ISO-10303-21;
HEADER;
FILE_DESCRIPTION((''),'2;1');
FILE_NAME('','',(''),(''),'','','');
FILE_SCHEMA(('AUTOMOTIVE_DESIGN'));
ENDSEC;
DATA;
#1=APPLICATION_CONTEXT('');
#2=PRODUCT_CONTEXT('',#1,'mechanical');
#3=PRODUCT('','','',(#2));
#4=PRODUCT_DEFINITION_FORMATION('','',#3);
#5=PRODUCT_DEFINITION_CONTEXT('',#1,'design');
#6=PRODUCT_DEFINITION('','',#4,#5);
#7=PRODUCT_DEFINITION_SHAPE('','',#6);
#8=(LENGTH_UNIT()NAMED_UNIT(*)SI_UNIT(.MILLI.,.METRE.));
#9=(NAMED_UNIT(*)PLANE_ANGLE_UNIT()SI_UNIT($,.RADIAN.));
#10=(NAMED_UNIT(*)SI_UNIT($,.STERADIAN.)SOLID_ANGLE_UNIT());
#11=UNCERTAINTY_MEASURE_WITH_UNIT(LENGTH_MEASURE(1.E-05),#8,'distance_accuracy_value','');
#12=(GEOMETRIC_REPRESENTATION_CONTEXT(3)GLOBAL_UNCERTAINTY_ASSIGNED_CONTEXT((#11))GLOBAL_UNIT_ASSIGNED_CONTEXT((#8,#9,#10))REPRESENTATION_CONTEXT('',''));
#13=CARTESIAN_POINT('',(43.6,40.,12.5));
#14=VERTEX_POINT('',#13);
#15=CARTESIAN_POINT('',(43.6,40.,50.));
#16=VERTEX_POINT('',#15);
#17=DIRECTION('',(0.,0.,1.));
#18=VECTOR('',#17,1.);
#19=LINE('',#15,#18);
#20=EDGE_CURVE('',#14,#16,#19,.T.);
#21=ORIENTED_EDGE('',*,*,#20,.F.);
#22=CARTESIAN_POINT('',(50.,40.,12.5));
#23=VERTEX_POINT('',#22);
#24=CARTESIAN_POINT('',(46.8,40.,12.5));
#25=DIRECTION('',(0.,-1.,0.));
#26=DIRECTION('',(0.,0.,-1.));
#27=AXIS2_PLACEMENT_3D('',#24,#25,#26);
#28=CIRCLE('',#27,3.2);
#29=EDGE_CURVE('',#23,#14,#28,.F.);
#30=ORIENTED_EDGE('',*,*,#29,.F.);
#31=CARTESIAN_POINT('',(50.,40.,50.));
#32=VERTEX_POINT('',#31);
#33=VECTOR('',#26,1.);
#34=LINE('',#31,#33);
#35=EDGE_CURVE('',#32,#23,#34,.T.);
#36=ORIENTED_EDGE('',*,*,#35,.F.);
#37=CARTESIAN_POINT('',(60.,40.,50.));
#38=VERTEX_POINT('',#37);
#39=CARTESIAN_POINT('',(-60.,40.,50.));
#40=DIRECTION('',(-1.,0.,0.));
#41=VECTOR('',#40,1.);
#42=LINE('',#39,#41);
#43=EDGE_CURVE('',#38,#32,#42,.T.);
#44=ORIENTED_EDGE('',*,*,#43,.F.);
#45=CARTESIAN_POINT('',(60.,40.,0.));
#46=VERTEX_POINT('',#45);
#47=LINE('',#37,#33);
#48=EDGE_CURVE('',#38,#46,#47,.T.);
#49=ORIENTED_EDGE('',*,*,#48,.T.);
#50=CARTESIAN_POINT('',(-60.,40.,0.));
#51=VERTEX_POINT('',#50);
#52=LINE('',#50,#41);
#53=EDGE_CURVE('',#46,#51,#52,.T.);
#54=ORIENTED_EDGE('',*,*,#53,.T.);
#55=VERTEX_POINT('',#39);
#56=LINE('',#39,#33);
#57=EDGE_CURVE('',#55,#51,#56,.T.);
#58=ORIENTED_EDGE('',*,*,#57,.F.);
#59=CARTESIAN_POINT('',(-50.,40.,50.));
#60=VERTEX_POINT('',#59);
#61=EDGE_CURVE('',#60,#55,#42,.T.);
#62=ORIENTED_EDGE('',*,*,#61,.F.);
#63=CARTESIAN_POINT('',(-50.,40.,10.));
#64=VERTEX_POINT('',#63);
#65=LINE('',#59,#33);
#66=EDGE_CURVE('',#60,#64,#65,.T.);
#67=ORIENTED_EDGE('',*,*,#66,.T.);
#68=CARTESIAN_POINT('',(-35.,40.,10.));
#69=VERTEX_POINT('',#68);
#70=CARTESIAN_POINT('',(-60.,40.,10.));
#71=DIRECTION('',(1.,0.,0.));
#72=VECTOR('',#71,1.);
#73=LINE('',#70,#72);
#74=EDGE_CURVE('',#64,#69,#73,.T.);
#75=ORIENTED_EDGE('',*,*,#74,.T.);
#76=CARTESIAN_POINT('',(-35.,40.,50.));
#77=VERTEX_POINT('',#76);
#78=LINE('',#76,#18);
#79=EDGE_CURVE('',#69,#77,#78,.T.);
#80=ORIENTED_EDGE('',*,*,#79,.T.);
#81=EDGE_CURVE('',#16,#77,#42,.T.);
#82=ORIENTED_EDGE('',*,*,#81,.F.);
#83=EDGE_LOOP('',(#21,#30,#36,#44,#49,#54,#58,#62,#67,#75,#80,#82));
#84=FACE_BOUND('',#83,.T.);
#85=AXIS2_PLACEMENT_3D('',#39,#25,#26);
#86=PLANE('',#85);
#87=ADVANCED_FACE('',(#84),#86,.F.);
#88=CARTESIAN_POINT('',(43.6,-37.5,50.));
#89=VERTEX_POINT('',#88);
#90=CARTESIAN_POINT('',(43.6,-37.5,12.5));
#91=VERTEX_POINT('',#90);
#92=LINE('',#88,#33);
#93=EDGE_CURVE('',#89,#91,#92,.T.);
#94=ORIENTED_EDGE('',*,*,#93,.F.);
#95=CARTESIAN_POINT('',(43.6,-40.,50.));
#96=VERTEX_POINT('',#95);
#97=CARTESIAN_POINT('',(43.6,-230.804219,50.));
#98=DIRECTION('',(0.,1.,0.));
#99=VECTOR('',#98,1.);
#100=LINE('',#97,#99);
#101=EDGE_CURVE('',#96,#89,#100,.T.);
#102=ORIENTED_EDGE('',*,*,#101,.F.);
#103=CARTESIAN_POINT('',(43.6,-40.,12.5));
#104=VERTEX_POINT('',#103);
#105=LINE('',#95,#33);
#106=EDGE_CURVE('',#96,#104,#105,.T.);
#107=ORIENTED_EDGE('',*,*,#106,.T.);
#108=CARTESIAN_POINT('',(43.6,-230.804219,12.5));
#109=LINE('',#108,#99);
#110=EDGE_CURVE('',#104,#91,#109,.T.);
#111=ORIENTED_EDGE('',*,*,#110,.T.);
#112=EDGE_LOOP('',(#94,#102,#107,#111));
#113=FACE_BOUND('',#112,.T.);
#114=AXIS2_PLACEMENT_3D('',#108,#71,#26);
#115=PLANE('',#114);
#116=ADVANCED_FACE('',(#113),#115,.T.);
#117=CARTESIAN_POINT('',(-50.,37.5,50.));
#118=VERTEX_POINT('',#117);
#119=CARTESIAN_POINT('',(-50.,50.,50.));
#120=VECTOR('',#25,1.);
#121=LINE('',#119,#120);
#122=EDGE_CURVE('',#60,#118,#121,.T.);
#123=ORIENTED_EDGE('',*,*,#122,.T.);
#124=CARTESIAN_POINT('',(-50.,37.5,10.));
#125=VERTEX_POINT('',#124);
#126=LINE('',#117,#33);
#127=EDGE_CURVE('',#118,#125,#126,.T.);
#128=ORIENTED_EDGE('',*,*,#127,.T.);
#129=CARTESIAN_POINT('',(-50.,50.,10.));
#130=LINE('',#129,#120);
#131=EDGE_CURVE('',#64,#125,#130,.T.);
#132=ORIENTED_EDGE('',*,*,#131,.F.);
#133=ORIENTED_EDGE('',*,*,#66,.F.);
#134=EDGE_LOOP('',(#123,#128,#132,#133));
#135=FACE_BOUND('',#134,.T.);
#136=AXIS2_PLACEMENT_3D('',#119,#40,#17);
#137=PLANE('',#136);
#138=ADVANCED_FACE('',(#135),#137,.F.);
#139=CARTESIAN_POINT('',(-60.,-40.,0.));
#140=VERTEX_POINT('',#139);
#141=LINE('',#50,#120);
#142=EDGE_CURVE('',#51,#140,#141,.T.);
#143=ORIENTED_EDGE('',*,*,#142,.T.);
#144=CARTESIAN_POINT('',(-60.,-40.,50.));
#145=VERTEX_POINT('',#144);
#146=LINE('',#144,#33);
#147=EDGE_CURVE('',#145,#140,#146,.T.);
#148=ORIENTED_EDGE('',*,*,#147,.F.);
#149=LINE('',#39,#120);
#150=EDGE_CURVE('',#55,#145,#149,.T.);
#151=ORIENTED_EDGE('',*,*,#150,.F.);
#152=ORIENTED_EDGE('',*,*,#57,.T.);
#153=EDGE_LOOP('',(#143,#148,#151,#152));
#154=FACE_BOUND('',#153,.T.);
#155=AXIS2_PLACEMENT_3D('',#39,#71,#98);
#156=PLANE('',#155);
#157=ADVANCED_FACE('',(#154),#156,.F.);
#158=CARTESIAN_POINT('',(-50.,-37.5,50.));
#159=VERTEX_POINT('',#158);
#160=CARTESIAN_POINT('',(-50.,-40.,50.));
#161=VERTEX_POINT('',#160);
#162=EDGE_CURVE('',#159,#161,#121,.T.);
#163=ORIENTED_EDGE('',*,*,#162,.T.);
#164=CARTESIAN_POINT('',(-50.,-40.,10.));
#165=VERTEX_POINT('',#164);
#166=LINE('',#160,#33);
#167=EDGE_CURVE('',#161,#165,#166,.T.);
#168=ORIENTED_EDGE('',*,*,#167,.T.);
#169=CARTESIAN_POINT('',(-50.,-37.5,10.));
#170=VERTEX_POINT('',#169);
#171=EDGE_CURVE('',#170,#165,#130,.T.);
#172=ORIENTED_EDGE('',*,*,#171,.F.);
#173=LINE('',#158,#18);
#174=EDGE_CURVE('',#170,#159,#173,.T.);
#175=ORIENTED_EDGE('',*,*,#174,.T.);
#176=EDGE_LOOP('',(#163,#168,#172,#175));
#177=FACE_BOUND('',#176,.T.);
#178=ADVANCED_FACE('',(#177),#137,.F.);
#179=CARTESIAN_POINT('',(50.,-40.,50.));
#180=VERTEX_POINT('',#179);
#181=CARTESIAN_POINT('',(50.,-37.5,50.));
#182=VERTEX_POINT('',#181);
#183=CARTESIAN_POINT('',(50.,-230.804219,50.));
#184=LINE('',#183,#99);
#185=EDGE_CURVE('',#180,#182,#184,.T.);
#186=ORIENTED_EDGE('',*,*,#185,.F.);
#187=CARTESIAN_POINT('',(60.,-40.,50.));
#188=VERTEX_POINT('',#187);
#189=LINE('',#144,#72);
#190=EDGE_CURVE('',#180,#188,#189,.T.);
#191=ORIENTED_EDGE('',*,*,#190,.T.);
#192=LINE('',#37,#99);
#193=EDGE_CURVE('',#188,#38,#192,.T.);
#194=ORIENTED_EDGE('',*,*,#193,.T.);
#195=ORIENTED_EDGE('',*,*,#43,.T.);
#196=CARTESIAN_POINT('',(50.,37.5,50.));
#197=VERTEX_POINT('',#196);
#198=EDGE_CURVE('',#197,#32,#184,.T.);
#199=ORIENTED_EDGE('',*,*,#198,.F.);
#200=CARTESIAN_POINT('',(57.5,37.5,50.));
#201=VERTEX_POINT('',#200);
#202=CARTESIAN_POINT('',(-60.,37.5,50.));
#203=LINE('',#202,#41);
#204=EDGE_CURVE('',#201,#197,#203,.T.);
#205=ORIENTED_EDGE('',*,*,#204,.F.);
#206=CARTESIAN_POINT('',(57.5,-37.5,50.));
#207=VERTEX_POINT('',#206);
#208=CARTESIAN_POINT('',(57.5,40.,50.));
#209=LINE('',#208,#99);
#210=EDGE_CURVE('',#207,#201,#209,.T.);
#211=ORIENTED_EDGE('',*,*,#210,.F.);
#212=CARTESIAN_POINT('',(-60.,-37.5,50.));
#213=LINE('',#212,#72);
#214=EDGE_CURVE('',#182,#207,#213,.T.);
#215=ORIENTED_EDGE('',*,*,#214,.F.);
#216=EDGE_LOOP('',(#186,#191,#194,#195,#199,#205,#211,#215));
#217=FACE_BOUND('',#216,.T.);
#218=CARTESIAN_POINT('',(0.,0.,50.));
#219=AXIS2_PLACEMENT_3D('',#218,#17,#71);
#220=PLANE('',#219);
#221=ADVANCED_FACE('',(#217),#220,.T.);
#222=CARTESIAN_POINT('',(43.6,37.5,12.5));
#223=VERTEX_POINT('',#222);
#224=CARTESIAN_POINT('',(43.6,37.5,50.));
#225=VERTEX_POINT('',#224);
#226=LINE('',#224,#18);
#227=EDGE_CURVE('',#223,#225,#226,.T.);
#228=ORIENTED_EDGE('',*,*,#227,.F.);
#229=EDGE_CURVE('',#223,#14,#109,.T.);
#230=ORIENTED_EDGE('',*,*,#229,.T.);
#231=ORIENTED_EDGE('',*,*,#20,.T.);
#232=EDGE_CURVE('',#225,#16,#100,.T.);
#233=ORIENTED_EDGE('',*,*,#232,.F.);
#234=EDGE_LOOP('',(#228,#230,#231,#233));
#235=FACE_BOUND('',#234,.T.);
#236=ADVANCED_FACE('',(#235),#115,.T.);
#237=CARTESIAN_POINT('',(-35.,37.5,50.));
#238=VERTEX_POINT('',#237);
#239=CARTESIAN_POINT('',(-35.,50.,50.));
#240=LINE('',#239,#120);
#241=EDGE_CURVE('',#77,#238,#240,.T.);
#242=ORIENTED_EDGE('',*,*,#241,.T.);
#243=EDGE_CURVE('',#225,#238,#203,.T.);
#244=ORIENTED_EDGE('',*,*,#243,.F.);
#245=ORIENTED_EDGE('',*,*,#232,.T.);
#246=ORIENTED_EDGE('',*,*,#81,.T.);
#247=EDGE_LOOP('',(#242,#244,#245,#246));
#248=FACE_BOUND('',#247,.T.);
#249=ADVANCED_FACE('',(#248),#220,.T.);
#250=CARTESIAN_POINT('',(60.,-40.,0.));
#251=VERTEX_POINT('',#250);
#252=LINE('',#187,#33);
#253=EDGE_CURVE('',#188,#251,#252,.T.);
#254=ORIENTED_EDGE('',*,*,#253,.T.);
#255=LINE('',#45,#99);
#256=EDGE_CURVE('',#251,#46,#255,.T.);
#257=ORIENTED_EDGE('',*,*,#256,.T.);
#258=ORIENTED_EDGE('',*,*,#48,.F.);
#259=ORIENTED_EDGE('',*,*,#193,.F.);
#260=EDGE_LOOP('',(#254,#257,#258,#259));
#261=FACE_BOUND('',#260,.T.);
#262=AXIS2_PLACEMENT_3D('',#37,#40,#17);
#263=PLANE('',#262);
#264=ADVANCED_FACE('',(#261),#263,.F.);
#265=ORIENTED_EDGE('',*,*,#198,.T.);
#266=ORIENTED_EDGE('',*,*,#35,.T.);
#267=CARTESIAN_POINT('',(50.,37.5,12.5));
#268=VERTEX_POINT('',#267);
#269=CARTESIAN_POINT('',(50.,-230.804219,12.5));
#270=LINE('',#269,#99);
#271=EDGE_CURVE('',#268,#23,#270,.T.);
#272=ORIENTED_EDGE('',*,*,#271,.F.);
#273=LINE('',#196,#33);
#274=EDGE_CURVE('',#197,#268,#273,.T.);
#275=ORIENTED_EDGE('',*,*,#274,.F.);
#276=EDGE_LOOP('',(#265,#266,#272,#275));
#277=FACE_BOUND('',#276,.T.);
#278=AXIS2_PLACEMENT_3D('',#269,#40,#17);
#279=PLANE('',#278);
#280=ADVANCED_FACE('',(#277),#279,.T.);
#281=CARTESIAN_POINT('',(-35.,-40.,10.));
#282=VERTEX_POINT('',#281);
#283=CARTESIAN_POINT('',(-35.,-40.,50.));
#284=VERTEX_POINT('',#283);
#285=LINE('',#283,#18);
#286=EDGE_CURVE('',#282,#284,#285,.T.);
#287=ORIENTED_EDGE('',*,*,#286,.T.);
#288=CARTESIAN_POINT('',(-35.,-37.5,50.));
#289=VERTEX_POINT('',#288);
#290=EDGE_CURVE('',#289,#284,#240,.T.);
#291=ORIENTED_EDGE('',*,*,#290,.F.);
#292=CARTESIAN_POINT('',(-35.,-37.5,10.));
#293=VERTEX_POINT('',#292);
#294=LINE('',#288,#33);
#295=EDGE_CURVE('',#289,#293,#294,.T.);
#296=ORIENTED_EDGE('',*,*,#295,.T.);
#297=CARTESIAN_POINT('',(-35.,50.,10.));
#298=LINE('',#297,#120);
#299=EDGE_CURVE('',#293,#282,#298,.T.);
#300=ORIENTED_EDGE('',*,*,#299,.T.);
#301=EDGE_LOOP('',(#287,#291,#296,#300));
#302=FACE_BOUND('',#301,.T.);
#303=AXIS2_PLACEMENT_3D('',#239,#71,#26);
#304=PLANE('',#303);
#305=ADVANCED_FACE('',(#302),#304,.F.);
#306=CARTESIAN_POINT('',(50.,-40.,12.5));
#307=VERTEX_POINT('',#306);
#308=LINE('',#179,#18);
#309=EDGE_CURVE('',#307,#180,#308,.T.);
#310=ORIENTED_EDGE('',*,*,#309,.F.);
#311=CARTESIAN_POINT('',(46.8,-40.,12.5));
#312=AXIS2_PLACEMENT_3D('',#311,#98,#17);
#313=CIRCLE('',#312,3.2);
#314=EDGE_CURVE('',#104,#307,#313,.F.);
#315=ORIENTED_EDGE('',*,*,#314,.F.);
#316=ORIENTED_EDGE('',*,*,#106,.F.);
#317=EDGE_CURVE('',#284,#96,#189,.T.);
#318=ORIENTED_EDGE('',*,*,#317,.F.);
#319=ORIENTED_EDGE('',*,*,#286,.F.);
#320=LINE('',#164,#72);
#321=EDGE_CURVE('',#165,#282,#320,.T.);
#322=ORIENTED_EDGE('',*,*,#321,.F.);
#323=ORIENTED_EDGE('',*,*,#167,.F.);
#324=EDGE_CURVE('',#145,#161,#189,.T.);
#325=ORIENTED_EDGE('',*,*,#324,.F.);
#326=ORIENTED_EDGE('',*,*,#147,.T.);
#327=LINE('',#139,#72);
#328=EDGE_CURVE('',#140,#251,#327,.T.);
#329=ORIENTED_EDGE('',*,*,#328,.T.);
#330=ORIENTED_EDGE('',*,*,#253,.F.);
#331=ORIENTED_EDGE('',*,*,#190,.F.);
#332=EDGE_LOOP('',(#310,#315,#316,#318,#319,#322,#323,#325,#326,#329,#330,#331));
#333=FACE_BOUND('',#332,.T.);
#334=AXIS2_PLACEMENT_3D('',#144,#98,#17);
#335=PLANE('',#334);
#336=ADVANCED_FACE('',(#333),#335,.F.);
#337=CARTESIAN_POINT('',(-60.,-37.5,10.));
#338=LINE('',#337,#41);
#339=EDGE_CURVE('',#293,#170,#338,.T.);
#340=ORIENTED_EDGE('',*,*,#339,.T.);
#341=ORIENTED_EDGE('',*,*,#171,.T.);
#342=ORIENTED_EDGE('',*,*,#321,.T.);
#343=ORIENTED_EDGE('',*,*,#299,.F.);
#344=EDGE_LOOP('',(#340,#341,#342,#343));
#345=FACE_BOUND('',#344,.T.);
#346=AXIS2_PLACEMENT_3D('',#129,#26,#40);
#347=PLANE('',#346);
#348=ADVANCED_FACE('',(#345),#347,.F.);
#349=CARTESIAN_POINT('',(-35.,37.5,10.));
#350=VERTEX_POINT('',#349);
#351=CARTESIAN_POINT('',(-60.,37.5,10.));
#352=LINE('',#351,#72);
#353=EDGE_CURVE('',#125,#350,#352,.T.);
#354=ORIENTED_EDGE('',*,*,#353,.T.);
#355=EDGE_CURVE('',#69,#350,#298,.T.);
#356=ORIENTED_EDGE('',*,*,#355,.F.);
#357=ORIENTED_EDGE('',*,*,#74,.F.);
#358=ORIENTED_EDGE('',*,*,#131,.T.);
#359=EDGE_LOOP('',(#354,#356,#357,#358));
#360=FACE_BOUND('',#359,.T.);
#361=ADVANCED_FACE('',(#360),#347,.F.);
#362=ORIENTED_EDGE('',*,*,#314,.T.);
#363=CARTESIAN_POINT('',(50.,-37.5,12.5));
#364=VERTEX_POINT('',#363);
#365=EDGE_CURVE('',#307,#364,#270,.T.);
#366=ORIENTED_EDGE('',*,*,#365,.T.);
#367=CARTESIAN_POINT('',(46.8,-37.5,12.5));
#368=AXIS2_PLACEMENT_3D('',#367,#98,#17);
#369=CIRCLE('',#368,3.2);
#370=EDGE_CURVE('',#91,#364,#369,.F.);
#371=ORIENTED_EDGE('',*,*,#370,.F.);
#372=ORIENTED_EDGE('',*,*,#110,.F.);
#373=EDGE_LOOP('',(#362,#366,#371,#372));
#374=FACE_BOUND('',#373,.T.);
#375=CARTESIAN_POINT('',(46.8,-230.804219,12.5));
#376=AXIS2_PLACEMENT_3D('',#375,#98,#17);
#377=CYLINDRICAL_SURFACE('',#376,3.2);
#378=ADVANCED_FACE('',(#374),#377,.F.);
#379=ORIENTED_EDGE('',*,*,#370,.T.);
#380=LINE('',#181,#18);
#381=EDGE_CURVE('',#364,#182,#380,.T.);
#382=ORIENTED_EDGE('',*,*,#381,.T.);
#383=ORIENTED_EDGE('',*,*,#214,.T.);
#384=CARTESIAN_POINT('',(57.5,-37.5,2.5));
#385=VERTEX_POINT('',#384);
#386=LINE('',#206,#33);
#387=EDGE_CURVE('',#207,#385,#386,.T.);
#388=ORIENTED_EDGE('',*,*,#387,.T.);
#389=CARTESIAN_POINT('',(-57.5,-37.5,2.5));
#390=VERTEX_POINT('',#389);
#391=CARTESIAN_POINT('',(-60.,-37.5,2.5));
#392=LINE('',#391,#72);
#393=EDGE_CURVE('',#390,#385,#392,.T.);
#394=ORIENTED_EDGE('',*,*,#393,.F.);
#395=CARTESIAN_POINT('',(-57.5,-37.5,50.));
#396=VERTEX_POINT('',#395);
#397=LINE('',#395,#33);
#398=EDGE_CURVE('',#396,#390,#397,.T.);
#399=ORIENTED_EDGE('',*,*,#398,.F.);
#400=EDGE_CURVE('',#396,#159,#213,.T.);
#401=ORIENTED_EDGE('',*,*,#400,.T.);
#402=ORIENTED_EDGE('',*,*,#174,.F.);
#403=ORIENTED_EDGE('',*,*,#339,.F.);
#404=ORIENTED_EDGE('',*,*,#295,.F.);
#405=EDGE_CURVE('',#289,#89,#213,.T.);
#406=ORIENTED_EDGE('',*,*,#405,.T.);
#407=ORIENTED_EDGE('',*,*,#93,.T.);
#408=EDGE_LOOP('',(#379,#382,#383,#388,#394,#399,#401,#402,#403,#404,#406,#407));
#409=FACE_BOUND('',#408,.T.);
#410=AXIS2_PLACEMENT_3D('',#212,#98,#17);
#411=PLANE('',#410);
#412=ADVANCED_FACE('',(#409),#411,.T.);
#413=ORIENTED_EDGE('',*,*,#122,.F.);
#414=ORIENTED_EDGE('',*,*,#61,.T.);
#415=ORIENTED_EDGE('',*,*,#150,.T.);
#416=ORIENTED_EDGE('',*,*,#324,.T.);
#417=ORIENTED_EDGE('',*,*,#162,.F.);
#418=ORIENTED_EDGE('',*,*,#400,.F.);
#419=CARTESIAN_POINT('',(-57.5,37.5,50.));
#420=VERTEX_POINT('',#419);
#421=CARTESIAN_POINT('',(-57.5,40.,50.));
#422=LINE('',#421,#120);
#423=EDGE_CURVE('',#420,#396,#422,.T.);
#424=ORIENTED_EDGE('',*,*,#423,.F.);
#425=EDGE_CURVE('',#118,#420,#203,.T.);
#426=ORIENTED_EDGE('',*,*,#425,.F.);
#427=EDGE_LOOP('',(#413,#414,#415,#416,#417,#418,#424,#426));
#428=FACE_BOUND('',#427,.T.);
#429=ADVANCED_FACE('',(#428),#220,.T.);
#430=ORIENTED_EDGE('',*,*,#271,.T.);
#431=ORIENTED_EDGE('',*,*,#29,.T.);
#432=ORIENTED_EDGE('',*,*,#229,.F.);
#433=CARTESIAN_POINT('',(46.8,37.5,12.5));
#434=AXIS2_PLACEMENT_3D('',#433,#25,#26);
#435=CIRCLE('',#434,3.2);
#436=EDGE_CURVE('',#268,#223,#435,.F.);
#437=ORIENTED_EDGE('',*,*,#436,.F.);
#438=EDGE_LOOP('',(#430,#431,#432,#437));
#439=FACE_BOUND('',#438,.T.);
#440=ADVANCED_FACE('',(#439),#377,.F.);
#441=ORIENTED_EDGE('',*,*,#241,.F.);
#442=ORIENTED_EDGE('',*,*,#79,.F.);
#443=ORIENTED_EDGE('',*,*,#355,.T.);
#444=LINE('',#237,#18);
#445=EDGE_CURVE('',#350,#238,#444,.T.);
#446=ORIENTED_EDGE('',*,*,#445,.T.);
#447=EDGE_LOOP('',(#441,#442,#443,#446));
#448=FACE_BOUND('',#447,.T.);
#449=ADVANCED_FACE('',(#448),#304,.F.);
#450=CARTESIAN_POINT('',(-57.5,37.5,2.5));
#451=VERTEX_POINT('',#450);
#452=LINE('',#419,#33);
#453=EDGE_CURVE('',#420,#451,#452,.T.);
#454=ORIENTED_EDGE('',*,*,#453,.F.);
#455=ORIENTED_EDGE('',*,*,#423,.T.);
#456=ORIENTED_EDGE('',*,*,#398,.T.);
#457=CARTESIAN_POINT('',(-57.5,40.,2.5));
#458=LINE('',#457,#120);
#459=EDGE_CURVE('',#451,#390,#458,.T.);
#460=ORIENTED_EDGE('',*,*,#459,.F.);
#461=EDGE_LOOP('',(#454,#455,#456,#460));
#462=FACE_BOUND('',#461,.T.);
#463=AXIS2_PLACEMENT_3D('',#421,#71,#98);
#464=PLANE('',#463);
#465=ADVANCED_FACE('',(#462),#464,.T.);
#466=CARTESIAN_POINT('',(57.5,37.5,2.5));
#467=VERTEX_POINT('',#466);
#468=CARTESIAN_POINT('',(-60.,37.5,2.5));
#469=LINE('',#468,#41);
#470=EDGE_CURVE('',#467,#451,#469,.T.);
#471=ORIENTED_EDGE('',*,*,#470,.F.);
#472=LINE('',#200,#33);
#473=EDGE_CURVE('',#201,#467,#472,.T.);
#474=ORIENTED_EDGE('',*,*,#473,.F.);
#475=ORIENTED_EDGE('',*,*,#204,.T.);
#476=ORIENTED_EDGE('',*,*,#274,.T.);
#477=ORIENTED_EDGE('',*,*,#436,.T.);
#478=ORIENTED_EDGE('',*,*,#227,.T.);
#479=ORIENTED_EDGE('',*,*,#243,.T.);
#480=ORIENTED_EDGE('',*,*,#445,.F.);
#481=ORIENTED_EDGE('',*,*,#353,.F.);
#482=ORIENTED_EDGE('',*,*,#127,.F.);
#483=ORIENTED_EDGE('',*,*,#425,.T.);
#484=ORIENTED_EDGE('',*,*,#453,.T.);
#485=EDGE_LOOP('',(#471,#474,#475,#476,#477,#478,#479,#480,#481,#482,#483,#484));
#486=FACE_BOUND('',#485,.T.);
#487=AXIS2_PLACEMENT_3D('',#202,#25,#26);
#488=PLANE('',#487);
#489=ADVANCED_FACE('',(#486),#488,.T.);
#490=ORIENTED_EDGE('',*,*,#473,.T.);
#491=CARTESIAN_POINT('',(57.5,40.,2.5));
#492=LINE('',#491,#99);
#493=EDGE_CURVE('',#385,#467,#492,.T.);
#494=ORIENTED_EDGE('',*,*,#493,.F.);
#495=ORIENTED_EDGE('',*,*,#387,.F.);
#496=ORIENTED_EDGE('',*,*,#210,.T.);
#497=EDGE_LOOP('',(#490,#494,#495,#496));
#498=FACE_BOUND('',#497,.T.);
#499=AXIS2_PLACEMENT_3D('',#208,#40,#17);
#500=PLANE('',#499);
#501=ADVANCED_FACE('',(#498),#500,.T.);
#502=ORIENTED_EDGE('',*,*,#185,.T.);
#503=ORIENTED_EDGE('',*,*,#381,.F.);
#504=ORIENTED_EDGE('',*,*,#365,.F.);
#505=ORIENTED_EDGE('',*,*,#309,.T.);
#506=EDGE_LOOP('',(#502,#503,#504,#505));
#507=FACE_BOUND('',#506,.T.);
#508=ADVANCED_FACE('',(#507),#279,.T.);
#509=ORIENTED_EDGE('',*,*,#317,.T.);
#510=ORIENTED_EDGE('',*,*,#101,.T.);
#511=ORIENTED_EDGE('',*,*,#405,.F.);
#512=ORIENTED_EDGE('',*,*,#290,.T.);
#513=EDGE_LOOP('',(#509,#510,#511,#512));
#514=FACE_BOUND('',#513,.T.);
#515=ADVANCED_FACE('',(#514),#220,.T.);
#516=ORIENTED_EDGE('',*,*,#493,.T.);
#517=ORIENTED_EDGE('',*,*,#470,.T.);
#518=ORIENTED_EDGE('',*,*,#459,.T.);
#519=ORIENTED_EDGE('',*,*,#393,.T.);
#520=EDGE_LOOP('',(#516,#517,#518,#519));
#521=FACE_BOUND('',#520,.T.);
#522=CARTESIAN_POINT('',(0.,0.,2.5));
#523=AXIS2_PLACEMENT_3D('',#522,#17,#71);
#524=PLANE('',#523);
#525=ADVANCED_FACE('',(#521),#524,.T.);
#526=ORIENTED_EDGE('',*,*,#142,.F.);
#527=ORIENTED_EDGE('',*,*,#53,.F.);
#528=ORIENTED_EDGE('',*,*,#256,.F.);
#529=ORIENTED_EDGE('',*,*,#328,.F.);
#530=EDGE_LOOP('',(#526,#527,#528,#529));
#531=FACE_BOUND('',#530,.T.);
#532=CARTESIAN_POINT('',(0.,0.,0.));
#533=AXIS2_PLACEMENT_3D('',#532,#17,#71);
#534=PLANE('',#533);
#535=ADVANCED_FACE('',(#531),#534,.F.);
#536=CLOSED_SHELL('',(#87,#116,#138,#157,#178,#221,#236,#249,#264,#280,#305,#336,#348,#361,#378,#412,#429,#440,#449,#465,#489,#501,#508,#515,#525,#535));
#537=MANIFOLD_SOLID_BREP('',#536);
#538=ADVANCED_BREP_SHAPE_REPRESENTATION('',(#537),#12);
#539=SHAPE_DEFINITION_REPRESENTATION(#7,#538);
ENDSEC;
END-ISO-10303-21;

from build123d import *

# Parameters (mm, degrees)
SKETCH_1_W               = 120
SKETCH_1_H               = 80
EXTRUDE_1_DEPTH          = 50
SHELL_1_T                = -2.5
SKETCH_2_W               = 15
SKETCH_2_H               = 40
CUT_EXTRUDE_1_DEPTH      = 90
CUT_EXTRUDE_3_DEPTH      = 1
CUT_EXTRUDE_3_DEPTH_BACK = 81


with BuildPart() as part:
    # 草圖1 → 填料-伸長1 (new body)
    with BuildSketch(Plane.XY):
        Rectangle(SKETCH_1_W, SKETCH_1_H)
    extrude(amount=EXTRUDE_1_DEPTH)

    # 薄殼1
    shell_1_openings = [part.faces().sort_by_distance(p)[0] for p in [
        (0, 0, 50),
    ]]
    offset(amount=SHELL_1_T, openings=shell_1_openings, kind=Kind.INTERSECTION)

    # 草圖2 → 除料-伸長1 (cut)
    with BuildSketch(Plane.XZ.offset(40)):
        with Locations((-42.5, 30)):
            Rectangle(SKETCH_2_W, SKETCH_2_H)
    extrude(amount=-CUT_EXTRUDE_1_DEPTH, mode=Mode.SUBTRACT)

    # 草圖3 → 除料-伸長3 (cut, two sides)
    with BuildSketch(Plane.XZ.offset(40)) as cut_extrude_3_sk:
        with BuildLine():
            Line((43.6, 50), (43.6, 12.5))
            ThreePointArc((43.6, 12.5), (46.8, 9.3), (50, 12.5))
            Line((50, 12.5), (50, 50))
            Line((50, 50), (43.6, 50))
        make_face()
    extrude(amount=CUT_EXTRUDE_3_DEPTH, mode=Mode.SUBTRACT)
    extrude(cut_extrude_3_sk.sketch, amount=-CUT_EXTRUDE_3_DEPTH_BACK, mode=Mode.SUBTRACT)


solid = part.part
